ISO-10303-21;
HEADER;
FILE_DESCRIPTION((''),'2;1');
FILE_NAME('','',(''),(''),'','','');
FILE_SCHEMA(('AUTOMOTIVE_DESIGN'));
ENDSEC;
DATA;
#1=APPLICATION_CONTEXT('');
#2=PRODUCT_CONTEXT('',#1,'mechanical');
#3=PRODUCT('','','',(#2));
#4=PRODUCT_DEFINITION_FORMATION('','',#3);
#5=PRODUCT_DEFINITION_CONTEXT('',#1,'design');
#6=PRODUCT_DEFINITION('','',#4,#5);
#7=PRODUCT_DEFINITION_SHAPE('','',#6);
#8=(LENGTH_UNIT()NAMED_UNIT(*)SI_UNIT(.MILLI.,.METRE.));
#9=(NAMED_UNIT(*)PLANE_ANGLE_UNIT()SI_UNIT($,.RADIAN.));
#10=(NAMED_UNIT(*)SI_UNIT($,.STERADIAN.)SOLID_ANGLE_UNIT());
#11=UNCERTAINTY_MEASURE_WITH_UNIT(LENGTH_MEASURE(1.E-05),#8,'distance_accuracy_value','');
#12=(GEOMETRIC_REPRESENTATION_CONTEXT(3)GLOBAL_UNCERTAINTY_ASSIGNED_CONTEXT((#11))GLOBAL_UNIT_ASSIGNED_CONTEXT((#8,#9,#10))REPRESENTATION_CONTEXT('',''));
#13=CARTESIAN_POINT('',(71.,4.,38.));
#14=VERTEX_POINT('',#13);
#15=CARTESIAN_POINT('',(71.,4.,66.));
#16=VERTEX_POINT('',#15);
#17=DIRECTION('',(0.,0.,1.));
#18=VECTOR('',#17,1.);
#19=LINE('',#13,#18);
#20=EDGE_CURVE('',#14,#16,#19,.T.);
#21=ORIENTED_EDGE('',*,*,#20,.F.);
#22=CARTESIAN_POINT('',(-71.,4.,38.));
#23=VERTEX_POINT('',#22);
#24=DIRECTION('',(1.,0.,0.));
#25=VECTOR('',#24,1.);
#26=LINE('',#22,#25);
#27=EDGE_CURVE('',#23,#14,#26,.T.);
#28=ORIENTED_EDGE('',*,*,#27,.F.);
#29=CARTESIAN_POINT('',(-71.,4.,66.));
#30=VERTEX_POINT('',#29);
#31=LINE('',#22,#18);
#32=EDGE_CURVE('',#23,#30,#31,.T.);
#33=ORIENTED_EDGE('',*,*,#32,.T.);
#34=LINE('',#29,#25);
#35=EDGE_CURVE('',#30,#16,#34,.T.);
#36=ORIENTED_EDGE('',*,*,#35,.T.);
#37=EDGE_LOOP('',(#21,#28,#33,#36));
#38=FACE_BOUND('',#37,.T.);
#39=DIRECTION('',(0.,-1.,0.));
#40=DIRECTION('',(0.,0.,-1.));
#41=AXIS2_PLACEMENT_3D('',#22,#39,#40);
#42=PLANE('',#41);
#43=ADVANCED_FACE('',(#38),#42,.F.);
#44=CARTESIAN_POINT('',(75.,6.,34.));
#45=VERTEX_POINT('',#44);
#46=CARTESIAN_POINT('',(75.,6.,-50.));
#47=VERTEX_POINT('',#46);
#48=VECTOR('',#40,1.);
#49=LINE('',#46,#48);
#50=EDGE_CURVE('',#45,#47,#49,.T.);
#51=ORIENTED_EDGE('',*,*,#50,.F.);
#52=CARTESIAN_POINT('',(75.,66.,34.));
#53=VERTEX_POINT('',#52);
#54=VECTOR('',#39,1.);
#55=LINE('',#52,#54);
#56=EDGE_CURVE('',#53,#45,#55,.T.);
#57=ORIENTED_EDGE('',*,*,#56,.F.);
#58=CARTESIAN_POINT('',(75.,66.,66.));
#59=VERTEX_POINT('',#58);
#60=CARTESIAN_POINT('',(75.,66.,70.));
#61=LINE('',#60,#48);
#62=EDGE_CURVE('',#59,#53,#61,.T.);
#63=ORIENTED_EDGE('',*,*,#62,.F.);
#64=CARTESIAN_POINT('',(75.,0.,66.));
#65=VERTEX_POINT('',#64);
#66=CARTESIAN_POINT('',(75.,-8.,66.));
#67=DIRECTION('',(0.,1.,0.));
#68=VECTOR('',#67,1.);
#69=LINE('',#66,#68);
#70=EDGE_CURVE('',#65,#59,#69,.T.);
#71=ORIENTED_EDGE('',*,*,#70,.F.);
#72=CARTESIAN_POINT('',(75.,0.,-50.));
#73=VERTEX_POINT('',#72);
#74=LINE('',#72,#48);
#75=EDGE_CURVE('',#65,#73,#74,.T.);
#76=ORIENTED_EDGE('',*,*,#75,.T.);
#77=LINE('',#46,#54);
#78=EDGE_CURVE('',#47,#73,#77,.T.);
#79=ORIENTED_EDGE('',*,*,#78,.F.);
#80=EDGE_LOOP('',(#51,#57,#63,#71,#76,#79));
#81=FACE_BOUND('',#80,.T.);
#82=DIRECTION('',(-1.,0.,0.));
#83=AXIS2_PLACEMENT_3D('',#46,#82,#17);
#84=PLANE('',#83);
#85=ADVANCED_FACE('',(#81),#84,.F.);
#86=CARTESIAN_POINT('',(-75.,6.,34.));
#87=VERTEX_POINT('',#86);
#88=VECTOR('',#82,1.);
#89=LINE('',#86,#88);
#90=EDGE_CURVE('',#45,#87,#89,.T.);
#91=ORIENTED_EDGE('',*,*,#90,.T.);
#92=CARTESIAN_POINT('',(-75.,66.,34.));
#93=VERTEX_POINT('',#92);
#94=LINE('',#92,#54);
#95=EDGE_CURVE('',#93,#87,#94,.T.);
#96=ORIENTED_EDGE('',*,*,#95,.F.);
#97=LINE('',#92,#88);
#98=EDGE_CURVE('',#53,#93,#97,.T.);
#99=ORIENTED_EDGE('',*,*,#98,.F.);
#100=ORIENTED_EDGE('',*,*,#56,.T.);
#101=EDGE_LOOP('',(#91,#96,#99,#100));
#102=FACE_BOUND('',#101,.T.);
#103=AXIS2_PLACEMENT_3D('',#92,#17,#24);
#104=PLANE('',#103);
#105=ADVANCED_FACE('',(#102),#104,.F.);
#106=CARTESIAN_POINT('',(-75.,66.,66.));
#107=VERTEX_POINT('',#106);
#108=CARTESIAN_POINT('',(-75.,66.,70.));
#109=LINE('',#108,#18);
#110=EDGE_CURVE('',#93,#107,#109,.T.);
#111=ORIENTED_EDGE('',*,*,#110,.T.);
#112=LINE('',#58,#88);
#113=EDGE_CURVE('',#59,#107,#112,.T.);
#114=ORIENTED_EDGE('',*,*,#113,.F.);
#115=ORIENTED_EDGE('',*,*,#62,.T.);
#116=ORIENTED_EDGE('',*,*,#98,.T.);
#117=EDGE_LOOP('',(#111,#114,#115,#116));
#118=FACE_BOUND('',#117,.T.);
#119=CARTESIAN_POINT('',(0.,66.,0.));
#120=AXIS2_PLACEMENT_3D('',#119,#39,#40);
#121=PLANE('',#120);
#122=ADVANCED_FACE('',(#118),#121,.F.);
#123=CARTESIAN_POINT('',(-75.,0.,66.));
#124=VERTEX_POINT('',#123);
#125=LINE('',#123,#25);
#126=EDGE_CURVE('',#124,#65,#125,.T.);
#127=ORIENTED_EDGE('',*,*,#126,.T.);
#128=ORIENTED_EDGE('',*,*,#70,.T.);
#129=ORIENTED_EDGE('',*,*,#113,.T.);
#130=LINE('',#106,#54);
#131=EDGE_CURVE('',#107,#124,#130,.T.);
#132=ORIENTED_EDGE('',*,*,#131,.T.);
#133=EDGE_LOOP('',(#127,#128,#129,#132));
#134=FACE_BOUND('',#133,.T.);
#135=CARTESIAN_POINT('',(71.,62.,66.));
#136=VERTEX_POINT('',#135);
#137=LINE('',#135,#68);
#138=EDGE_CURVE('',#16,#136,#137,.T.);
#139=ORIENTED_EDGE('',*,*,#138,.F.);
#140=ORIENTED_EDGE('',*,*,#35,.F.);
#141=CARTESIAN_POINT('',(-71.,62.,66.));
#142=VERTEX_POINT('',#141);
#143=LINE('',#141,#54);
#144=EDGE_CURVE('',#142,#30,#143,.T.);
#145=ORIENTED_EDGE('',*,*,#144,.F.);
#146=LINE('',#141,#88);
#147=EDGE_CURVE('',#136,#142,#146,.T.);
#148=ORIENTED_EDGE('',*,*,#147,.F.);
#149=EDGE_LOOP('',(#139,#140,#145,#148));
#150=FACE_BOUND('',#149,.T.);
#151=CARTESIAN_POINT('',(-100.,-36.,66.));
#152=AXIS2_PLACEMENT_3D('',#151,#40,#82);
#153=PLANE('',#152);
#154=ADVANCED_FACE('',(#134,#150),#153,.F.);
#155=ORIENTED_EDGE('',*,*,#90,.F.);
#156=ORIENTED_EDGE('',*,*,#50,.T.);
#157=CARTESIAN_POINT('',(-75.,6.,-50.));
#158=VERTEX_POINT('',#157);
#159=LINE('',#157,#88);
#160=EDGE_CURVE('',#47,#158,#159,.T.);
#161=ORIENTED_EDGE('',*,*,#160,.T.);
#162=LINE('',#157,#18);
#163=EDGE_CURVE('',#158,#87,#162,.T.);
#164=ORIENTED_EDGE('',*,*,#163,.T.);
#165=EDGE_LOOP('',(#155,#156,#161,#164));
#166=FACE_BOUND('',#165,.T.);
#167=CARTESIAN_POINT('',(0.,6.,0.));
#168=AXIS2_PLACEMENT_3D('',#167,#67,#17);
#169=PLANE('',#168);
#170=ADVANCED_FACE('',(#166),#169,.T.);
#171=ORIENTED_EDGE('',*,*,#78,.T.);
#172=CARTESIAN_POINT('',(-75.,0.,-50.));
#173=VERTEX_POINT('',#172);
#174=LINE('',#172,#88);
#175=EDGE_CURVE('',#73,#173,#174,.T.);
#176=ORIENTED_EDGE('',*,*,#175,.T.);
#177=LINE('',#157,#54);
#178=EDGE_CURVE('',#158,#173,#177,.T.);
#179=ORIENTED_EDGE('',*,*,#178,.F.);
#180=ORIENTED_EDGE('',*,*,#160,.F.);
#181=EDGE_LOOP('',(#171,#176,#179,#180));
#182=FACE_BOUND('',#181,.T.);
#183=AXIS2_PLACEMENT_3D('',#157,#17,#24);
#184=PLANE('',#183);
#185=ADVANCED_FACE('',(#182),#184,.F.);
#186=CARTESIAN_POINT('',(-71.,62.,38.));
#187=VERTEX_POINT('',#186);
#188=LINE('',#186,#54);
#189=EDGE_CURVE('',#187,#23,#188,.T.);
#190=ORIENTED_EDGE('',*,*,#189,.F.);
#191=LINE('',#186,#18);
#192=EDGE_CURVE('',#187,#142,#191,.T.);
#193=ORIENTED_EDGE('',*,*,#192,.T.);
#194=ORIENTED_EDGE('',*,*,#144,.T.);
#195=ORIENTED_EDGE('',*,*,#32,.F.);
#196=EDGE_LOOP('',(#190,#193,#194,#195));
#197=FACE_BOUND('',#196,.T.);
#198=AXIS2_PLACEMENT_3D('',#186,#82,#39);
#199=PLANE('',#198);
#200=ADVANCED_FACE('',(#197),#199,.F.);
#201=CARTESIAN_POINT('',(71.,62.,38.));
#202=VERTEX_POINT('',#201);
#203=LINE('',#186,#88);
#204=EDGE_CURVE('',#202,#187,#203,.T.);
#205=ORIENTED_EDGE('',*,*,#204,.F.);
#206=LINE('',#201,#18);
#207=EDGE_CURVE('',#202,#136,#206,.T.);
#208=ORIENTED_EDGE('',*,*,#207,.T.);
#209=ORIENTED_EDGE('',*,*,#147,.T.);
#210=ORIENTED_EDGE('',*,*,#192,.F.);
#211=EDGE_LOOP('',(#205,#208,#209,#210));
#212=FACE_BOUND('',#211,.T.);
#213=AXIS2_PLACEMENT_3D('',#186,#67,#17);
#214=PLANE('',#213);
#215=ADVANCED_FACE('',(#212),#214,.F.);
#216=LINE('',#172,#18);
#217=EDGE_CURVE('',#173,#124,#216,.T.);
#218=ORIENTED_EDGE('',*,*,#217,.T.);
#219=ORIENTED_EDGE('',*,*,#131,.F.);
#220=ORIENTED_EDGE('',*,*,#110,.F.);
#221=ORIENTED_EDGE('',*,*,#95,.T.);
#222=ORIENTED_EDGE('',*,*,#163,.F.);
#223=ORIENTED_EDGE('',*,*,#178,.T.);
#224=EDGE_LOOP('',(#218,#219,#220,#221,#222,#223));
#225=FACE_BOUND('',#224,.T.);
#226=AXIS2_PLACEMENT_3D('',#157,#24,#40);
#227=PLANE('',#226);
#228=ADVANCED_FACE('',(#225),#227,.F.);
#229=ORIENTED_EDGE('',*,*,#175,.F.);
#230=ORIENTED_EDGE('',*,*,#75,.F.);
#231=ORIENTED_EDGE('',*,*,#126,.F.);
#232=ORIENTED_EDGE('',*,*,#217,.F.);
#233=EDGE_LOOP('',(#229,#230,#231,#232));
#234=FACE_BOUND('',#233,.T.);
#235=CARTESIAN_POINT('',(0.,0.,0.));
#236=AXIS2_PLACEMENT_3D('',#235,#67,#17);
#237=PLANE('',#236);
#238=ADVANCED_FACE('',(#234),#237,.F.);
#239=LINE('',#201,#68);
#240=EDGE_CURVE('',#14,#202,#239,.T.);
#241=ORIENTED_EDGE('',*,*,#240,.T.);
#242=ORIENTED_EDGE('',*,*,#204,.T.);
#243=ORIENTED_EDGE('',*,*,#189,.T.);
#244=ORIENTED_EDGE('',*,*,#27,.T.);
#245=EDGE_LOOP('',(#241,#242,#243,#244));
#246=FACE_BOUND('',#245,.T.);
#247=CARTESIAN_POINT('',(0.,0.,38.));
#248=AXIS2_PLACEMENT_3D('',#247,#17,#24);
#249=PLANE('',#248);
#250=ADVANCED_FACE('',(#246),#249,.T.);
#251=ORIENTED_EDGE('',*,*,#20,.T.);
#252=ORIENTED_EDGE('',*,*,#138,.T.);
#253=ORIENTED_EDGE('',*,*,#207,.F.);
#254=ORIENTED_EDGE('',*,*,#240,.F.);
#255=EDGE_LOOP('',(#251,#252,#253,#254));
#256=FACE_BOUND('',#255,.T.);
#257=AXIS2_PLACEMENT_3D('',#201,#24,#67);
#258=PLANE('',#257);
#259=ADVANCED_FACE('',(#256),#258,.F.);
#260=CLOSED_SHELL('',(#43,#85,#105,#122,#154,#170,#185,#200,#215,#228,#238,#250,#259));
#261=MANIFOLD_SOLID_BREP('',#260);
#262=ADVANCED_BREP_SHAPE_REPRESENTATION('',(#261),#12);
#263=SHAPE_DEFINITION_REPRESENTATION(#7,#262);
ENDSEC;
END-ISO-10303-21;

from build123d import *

# Parameters (mm, degrees)
SKETCH1_W           = 150
SKETCH1_H           = 112
BOSS_EXTRUDE1_DEPTH = 6
SKETCH3_W           = 150
SKETCH3_H           = 6
BOSS_EXTRUDE2_DEPTH = 8
SKETCH4_W           = 150
SKETCH4_H           = 4
BOSS_EXTRUDE3_DEPTH = 8
SKETCH6_W           = 150
SKETCH6_H           = 36
BOSS_EXTRUDE4_DEPTH = 60
CUT_EXTRUDE1_START  = -4
SKETCH7_W           = 150
SKETCH7_H           = 74
CUT_EXTRUDE1_DEPTH  = 4
SKETCH8_W           = 142
SKETCH8_H           = 58
CUT_EXTRUDE2_DEPTH  = 28


with BuildPart() as part:
    # Sketch1 → Boss-Extrude1 (new body)
    with BuildSketch(Plane(origin=(0, 0, 0), x_dir=(1, 0, 0), z_dir=(0, 1, 0))):
        with Locations((0, -6)):
            Rectangle(SKETCH1_W, SKETCH1_H)
    extrude(amount=BOSS_EXTRUDE1_DEPTH)

    # Sketch3 → Boss-Extrude2 (add)
    with BuildSketch(Plane.XY.offset(62)):
        with Locations((0, 3)):
            Rectangle(SKETCH3_W, SKETCH3_H)
    extrude(amount=BOSS_EXTRUDE2_DEPTH)

    # Sketch4 → Boss-Extrude3 (add)
    with BuildSketch(Plane(origin=(0, 0, 0), x_dir=(-1, 0, 0), z_dir=(0, -1, 0))):
        with Locations((0, -68)):
            Rectangle(SKETCH4_W, SKETCH4_H)
    extrude(amount=BOSS_EXTRUDE3_DEPTH)

    # Sketch6 → Boss-Extrude4 (add)
    with BuildSketch(Plane(origin=(0, 6, 0), x_dir=(1, 0, 0), z_dir=(0, 1, 0))):
        with Locations((0, -52)):
            Rectangle(SKETCH6_W, SKETCH6_H)
    extrude(amount=BOSS_EXTRUDE4_DEPTH)

    # Sketch7 → Cut-Extrude1 (cut)
    with BuildSketch(Plane.XY.offset(70).offset(CUT_EXTRUDE1_START)):
        with Locations((0, 29)):
            Rectangle(SKETCH7_W, SKETCH7_H)
    extrude(amount=CUT_EXTRUDE1_DEPTH, mode=Mode.SUBTRACT)

    # Sketch8 → Cut-Extrude2 (cut)
    with BuildSketch(Plane.XY.offset(66)):
        with Locations((0, 33)):
            Rectangle(SKETCH8_W, SKETCH8_H)
    extrude(amount=-CUT_EXTRUDE2_DEPTH, mode=Mode.SUBTRACT)


solid = part.part
